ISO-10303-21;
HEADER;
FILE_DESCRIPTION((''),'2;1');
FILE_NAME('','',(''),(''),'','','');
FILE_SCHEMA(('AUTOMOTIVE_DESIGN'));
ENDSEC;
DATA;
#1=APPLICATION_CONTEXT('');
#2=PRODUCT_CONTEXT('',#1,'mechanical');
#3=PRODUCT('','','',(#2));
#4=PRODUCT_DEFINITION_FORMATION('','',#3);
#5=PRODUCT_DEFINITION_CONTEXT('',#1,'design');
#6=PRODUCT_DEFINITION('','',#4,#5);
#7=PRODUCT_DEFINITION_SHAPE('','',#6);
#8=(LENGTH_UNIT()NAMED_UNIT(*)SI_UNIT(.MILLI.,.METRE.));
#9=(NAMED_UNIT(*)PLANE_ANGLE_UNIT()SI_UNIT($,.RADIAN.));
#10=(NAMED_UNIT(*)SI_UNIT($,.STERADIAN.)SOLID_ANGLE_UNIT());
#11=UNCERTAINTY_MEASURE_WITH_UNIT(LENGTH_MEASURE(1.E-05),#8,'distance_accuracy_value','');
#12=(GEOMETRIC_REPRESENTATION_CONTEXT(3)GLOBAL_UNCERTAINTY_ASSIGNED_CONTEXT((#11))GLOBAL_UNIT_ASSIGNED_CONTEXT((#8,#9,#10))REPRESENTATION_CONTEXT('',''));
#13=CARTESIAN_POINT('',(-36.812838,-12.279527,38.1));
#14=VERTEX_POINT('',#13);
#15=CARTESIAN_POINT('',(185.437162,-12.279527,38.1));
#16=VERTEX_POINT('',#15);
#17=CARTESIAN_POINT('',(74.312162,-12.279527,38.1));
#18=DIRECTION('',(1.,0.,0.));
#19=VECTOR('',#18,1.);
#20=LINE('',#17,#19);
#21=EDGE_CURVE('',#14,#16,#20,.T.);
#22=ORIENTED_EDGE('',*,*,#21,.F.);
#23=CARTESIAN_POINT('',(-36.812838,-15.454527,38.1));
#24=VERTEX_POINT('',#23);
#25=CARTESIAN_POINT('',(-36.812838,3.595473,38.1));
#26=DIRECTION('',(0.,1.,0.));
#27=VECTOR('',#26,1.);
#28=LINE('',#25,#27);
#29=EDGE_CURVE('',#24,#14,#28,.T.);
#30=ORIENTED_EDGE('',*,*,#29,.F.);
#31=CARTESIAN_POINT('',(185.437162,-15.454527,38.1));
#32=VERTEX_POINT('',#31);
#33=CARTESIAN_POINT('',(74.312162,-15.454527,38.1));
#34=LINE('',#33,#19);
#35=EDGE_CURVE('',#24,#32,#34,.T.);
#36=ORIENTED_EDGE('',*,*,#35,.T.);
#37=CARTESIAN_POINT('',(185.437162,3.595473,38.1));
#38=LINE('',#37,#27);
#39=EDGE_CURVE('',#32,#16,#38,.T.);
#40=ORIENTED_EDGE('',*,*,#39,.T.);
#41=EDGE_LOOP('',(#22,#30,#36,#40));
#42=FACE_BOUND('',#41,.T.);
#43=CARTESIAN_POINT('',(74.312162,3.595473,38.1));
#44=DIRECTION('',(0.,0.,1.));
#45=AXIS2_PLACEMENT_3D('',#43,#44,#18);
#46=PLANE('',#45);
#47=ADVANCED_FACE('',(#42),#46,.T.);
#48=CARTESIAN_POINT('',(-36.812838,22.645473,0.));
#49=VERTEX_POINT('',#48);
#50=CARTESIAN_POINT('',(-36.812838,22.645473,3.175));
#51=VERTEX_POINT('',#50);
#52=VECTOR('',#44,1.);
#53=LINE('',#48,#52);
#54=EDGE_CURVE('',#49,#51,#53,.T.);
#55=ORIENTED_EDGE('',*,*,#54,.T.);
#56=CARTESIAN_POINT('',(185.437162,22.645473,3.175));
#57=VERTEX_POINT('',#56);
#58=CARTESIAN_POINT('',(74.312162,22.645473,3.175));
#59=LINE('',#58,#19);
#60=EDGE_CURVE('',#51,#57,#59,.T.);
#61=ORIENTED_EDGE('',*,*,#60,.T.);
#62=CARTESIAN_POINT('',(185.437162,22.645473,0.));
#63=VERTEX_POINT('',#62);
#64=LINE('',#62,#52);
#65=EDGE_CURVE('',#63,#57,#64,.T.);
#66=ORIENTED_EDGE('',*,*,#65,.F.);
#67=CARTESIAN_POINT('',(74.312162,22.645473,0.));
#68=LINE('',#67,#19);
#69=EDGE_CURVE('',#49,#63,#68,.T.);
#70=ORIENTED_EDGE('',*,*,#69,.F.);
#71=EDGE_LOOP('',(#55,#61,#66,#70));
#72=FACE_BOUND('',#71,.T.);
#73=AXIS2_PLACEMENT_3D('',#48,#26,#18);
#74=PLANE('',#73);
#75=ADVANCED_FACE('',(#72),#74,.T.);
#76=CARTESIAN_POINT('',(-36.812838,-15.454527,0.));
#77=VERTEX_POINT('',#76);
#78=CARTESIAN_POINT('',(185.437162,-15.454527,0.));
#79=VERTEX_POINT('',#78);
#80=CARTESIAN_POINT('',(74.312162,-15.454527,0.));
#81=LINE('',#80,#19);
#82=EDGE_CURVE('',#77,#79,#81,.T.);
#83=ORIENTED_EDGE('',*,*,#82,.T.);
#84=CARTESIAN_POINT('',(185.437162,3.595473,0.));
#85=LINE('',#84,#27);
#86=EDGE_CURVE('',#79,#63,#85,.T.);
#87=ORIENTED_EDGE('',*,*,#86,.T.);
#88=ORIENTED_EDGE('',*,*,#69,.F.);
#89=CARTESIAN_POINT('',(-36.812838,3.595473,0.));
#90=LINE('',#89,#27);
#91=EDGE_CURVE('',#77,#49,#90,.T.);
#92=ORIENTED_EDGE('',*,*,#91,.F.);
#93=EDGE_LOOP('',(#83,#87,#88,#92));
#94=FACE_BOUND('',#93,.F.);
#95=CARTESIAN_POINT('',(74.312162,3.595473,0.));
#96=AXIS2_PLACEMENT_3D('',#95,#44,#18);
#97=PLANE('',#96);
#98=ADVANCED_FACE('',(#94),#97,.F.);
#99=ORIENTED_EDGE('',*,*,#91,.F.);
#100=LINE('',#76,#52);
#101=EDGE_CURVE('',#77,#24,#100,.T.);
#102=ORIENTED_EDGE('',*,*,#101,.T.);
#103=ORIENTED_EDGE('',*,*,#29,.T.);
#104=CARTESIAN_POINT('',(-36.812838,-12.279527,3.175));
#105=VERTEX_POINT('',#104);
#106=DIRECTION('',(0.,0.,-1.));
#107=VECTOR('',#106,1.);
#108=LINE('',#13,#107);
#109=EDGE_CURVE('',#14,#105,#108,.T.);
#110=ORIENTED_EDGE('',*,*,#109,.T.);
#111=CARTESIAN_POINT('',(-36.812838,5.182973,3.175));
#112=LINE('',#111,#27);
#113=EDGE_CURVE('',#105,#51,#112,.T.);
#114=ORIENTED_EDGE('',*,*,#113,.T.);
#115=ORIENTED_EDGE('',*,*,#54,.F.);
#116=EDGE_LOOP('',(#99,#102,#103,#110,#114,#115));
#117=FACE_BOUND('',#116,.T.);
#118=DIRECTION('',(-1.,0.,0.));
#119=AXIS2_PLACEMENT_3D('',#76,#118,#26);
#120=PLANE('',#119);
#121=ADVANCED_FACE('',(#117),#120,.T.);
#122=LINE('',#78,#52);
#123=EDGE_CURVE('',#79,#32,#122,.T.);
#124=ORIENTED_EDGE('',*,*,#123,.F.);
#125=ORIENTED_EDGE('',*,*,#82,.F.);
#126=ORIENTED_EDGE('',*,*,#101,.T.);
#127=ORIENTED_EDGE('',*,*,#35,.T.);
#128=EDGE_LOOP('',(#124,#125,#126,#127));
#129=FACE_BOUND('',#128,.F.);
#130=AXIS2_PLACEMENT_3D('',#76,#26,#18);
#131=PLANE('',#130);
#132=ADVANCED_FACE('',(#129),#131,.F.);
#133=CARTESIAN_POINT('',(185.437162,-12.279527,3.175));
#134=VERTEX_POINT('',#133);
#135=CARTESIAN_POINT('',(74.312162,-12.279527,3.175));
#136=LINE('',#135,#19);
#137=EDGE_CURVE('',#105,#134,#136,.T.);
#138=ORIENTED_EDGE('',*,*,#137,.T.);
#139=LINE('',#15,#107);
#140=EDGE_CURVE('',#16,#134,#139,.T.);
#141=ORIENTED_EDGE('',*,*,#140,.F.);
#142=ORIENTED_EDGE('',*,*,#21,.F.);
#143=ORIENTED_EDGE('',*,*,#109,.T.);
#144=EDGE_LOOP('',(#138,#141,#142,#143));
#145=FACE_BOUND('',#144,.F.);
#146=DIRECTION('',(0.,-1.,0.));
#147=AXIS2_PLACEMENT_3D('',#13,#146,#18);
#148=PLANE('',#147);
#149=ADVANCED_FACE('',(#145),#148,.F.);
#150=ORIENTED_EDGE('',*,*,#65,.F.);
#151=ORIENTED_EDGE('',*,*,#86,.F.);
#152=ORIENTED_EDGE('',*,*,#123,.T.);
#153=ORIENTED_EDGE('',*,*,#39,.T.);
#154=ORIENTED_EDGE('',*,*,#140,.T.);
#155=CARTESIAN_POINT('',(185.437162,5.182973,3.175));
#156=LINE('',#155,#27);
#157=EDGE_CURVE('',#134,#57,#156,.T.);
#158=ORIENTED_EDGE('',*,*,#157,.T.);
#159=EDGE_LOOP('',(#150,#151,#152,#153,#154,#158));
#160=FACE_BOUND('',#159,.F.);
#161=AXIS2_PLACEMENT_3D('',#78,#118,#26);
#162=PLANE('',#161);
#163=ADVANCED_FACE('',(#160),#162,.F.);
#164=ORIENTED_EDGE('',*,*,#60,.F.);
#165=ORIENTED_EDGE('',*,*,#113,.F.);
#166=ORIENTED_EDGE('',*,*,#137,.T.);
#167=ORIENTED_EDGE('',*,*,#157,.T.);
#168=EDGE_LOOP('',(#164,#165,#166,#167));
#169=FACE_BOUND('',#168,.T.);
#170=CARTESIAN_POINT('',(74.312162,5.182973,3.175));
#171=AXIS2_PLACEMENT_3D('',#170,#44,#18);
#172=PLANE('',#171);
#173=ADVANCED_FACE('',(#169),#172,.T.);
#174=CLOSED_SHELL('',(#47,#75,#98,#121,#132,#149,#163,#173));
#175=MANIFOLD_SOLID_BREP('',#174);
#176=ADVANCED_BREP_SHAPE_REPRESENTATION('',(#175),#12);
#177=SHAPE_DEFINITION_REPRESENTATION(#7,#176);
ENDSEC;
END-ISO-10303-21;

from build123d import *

# Parameters (mm, degrees)
SKETCH1_W           = 222.25
SKETCH1_H           = 38.1
BOSS_EXTRUDE1_DEPTH = 38.1
SKETCH2_W           = 222.25
SKETCH2_H           = 34.925
CUT_EXTRUDE1_DEPTH  = 34.925


with BuildPart() as part:
    # Sketch1 → Boss-Extrude1 (new body)
    with BuildSketch(Plane.XY):
        with Locations((74.312162162, 3.595472973)):
            Rectangle(SKETCH1_W, SKETCH1_H)
    extrude(amount=BOSS_EXTRUDE1_DEPTH)

    # Sketch2 → Cut-Extrude1 (cut)
    with BuildSketch(Plane.XY.offset(38.1)):
        with Locations((74.312162162, 5.182972973)):
            Rectangle(SKETCH2_W, SKETCH2_H)
    extrude(amount=-CUT_EXTRUDE1_DEPTH, mode=Mode.SUBTRACT)


solid = part.part
